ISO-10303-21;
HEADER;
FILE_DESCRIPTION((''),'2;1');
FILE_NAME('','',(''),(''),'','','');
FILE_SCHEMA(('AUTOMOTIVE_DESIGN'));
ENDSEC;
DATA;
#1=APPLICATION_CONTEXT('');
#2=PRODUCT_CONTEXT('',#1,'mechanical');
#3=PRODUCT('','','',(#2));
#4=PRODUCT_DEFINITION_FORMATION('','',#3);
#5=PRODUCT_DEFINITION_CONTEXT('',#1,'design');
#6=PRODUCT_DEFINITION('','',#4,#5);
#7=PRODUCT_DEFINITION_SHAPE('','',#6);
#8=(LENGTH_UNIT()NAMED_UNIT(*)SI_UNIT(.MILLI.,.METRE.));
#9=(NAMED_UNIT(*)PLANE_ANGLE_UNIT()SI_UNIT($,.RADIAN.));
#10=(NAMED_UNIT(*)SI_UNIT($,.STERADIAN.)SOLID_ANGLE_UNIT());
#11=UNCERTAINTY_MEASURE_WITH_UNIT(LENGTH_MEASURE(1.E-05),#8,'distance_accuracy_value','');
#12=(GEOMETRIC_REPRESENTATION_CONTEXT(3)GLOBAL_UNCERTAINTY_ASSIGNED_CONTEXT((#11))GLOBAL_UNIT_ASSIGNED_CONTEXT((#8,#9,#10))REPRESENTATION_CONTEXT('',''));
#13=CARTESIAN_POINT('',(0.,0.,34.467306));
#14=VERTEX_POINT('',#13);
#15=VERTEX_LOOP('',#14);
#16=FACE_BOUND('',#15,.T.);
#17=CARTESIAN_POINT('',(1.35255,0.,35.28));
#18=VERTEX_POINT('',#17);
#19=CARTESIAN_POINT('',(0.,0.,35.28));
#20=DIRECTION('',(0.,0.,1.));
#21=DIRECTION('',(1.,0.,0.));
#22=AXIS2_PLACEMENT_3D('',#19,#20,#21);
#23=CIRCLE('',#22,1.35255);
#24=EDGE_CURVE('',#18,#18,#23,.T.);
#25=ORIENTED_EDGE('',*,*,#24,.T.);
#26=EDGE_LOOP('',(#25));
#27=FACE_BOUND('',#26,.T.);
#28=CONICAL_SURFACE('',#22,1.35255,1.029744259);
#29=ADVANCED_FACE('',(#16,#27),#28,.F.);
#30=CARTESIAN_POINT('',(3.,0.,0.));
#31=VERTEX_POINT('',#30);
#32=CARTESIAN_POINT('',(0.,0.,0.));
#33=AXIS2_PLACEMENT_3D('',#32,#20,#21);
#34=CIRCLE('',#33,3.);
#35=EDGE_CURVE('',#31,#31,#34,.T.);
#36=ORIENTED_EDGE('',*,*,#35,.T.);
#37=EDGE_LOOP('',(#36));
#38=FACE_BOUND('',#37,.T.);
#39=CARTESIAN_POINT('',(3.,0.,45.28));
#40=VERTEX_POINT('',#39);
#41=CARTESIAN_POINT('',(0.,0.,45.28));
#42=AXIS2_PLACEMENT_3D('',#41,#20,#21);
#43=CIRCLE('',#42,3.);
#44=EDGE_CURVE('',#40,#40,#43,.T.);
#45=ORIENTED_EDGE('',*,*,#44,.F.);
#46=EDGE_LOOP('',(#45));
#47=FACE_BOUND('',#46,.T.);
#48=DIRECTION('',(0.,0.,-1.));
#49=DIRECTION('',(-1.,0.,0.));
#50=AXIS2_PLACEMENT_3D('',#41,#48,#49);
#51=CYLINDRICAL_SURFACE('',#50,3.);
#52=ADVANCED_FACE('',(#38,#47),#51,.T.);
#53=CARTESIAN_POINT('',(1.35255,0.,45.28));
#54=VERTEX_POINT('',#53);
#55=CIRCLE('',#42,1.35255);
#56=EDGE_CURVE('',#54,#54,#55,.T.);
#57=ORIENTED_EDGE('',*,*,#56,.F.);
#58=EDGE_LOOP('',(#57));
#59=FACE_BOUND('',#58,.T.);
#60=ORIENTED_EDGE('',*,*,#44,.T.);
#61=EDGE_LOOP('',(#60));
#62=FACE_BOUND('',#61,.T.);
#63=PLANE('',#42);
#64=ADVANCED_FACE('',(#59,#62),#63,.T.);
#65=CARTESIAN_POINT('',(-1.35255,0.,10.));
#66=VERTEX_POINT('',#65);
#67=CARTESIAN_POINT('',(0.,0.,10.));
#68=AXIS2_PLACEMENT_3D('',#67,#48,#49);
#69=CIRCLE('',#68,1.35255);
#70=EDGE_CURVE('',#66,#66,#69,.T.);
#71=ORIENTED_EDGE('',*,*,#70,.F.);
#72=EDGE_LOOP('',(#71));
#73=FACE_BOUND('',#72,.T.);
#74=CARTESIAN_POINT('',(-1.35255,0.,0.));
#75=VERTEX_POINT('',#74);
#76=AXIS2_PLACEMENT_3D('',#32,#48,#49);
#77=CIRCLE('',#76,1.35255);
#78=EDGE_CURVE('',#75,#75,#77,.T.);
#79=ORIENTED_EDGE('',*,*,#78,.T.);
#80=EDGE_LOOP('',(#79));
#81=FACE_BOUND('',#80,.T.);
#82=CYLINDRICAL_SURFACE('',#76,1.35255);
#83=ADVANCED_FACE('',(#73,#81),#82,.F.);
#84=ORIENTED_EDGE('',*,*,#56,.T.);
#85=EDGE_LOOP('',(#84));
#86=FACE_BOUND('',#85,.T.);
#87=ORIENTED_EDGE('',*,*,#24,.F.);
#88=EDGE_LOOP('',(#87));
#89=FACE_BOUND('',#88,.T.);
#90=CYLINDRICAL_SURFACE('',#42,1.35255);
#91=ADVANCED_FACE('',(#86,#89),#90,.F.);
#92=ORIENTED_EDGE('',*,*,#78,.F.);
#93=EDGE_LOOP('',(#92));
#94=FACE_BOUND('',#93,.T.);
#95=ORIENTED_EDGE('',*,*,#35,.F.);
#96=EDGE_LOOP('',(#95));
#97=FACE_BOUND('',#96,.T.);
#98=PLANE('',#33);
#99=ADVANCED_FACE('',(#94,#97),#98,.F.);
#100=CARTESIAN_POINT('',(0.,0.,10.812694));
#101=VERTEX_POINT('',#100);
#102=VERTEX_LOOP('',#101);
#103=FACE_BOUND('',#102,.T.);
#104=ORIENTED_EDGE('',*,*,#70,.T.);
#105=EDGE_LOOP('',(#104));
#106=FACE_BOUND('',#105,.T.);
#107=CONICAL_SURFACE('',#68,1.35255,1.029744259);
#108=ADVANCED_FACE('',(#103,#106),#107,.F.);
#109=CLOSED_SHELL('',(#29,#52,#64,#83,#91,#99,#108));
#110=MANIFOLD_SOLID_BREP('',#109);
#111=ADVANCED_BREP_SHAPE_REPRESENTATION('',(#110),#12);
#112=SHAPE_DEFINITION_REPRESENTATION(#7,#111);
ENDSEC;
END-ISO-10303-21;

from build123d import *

# Parameters (mm, degrees)
SKETCH1_R                 = 3
BOSS_EXTRUDE1_DEPTH       = 45.28
F_6_32_TAPPED_HOLE1_D     = 2.7051
F_6_32_TAPPED_HOLE1_DEPTH = 10
F_6_32_TAPPED_HOLE1_TIP   = 0.81269403
F_6_32_TAPPED_HOLE2_D     = 2.7051
F_6_32_TAPPED_HOLE2_DEPTH = 10
F_6_32_TAPPED_HOLE2_TIP   = 0.81269403


with BuildPart() as part:
    # Sketch1 → Boss-Extrude1 (new body)
    with BuildSketch(Plane.XY):
        Circle(SKETCH1_R)
    extrude(amount=BOSS_EXTRUDE1_DEPTH)

    # #6-32 Tapped Hole1
    with Locations(Plane.XY.offset(45.28)):
        with Locations((0, 0)):
            Hole(F_6_32_TAPPED_HOLE1_D / 2, depth=F_6_32_TAPPED_HOLE1_DEPTH)
            with Locations((0, 0, -(F_6_32_TAPPED_HOLE1_DEPTH + F_6_32_TAPPED_HOLE1_TIP / 2))):  # 118° drill point
                Cone(0, F_6_32_TAPPED_HOLE1_D / 2, F_6_32_TAPPED_HOLE1_TIP, mode=Mode.SUBTRACT)

    # #6-32 Tapped Hole2
    with Locations(Plane(origin=(0, 0, 0), x_dir=(-1, 0, 0), z_dir=(0, 0, -1))):
        with Locations((0, 0)):
            Hole(F_6_32_TAPPED_HOLE2_D / 2, depth=F_6_32_TAPPED_HOLE2_DEPTH)
            with Locations((0, 0, -(F_6_32_TAPPED_HOLE2_DEPTH + F_6_32_TAPPED_HOLE2_TIP / 2))):  # 118° drill point
                Cone(0, F_6_32_TAPPED_HOLE2_D / 2, F_6_32_TAPPED_HOLE2_TIP, mode=Mode.SUBTRACT)


solid = part.part
